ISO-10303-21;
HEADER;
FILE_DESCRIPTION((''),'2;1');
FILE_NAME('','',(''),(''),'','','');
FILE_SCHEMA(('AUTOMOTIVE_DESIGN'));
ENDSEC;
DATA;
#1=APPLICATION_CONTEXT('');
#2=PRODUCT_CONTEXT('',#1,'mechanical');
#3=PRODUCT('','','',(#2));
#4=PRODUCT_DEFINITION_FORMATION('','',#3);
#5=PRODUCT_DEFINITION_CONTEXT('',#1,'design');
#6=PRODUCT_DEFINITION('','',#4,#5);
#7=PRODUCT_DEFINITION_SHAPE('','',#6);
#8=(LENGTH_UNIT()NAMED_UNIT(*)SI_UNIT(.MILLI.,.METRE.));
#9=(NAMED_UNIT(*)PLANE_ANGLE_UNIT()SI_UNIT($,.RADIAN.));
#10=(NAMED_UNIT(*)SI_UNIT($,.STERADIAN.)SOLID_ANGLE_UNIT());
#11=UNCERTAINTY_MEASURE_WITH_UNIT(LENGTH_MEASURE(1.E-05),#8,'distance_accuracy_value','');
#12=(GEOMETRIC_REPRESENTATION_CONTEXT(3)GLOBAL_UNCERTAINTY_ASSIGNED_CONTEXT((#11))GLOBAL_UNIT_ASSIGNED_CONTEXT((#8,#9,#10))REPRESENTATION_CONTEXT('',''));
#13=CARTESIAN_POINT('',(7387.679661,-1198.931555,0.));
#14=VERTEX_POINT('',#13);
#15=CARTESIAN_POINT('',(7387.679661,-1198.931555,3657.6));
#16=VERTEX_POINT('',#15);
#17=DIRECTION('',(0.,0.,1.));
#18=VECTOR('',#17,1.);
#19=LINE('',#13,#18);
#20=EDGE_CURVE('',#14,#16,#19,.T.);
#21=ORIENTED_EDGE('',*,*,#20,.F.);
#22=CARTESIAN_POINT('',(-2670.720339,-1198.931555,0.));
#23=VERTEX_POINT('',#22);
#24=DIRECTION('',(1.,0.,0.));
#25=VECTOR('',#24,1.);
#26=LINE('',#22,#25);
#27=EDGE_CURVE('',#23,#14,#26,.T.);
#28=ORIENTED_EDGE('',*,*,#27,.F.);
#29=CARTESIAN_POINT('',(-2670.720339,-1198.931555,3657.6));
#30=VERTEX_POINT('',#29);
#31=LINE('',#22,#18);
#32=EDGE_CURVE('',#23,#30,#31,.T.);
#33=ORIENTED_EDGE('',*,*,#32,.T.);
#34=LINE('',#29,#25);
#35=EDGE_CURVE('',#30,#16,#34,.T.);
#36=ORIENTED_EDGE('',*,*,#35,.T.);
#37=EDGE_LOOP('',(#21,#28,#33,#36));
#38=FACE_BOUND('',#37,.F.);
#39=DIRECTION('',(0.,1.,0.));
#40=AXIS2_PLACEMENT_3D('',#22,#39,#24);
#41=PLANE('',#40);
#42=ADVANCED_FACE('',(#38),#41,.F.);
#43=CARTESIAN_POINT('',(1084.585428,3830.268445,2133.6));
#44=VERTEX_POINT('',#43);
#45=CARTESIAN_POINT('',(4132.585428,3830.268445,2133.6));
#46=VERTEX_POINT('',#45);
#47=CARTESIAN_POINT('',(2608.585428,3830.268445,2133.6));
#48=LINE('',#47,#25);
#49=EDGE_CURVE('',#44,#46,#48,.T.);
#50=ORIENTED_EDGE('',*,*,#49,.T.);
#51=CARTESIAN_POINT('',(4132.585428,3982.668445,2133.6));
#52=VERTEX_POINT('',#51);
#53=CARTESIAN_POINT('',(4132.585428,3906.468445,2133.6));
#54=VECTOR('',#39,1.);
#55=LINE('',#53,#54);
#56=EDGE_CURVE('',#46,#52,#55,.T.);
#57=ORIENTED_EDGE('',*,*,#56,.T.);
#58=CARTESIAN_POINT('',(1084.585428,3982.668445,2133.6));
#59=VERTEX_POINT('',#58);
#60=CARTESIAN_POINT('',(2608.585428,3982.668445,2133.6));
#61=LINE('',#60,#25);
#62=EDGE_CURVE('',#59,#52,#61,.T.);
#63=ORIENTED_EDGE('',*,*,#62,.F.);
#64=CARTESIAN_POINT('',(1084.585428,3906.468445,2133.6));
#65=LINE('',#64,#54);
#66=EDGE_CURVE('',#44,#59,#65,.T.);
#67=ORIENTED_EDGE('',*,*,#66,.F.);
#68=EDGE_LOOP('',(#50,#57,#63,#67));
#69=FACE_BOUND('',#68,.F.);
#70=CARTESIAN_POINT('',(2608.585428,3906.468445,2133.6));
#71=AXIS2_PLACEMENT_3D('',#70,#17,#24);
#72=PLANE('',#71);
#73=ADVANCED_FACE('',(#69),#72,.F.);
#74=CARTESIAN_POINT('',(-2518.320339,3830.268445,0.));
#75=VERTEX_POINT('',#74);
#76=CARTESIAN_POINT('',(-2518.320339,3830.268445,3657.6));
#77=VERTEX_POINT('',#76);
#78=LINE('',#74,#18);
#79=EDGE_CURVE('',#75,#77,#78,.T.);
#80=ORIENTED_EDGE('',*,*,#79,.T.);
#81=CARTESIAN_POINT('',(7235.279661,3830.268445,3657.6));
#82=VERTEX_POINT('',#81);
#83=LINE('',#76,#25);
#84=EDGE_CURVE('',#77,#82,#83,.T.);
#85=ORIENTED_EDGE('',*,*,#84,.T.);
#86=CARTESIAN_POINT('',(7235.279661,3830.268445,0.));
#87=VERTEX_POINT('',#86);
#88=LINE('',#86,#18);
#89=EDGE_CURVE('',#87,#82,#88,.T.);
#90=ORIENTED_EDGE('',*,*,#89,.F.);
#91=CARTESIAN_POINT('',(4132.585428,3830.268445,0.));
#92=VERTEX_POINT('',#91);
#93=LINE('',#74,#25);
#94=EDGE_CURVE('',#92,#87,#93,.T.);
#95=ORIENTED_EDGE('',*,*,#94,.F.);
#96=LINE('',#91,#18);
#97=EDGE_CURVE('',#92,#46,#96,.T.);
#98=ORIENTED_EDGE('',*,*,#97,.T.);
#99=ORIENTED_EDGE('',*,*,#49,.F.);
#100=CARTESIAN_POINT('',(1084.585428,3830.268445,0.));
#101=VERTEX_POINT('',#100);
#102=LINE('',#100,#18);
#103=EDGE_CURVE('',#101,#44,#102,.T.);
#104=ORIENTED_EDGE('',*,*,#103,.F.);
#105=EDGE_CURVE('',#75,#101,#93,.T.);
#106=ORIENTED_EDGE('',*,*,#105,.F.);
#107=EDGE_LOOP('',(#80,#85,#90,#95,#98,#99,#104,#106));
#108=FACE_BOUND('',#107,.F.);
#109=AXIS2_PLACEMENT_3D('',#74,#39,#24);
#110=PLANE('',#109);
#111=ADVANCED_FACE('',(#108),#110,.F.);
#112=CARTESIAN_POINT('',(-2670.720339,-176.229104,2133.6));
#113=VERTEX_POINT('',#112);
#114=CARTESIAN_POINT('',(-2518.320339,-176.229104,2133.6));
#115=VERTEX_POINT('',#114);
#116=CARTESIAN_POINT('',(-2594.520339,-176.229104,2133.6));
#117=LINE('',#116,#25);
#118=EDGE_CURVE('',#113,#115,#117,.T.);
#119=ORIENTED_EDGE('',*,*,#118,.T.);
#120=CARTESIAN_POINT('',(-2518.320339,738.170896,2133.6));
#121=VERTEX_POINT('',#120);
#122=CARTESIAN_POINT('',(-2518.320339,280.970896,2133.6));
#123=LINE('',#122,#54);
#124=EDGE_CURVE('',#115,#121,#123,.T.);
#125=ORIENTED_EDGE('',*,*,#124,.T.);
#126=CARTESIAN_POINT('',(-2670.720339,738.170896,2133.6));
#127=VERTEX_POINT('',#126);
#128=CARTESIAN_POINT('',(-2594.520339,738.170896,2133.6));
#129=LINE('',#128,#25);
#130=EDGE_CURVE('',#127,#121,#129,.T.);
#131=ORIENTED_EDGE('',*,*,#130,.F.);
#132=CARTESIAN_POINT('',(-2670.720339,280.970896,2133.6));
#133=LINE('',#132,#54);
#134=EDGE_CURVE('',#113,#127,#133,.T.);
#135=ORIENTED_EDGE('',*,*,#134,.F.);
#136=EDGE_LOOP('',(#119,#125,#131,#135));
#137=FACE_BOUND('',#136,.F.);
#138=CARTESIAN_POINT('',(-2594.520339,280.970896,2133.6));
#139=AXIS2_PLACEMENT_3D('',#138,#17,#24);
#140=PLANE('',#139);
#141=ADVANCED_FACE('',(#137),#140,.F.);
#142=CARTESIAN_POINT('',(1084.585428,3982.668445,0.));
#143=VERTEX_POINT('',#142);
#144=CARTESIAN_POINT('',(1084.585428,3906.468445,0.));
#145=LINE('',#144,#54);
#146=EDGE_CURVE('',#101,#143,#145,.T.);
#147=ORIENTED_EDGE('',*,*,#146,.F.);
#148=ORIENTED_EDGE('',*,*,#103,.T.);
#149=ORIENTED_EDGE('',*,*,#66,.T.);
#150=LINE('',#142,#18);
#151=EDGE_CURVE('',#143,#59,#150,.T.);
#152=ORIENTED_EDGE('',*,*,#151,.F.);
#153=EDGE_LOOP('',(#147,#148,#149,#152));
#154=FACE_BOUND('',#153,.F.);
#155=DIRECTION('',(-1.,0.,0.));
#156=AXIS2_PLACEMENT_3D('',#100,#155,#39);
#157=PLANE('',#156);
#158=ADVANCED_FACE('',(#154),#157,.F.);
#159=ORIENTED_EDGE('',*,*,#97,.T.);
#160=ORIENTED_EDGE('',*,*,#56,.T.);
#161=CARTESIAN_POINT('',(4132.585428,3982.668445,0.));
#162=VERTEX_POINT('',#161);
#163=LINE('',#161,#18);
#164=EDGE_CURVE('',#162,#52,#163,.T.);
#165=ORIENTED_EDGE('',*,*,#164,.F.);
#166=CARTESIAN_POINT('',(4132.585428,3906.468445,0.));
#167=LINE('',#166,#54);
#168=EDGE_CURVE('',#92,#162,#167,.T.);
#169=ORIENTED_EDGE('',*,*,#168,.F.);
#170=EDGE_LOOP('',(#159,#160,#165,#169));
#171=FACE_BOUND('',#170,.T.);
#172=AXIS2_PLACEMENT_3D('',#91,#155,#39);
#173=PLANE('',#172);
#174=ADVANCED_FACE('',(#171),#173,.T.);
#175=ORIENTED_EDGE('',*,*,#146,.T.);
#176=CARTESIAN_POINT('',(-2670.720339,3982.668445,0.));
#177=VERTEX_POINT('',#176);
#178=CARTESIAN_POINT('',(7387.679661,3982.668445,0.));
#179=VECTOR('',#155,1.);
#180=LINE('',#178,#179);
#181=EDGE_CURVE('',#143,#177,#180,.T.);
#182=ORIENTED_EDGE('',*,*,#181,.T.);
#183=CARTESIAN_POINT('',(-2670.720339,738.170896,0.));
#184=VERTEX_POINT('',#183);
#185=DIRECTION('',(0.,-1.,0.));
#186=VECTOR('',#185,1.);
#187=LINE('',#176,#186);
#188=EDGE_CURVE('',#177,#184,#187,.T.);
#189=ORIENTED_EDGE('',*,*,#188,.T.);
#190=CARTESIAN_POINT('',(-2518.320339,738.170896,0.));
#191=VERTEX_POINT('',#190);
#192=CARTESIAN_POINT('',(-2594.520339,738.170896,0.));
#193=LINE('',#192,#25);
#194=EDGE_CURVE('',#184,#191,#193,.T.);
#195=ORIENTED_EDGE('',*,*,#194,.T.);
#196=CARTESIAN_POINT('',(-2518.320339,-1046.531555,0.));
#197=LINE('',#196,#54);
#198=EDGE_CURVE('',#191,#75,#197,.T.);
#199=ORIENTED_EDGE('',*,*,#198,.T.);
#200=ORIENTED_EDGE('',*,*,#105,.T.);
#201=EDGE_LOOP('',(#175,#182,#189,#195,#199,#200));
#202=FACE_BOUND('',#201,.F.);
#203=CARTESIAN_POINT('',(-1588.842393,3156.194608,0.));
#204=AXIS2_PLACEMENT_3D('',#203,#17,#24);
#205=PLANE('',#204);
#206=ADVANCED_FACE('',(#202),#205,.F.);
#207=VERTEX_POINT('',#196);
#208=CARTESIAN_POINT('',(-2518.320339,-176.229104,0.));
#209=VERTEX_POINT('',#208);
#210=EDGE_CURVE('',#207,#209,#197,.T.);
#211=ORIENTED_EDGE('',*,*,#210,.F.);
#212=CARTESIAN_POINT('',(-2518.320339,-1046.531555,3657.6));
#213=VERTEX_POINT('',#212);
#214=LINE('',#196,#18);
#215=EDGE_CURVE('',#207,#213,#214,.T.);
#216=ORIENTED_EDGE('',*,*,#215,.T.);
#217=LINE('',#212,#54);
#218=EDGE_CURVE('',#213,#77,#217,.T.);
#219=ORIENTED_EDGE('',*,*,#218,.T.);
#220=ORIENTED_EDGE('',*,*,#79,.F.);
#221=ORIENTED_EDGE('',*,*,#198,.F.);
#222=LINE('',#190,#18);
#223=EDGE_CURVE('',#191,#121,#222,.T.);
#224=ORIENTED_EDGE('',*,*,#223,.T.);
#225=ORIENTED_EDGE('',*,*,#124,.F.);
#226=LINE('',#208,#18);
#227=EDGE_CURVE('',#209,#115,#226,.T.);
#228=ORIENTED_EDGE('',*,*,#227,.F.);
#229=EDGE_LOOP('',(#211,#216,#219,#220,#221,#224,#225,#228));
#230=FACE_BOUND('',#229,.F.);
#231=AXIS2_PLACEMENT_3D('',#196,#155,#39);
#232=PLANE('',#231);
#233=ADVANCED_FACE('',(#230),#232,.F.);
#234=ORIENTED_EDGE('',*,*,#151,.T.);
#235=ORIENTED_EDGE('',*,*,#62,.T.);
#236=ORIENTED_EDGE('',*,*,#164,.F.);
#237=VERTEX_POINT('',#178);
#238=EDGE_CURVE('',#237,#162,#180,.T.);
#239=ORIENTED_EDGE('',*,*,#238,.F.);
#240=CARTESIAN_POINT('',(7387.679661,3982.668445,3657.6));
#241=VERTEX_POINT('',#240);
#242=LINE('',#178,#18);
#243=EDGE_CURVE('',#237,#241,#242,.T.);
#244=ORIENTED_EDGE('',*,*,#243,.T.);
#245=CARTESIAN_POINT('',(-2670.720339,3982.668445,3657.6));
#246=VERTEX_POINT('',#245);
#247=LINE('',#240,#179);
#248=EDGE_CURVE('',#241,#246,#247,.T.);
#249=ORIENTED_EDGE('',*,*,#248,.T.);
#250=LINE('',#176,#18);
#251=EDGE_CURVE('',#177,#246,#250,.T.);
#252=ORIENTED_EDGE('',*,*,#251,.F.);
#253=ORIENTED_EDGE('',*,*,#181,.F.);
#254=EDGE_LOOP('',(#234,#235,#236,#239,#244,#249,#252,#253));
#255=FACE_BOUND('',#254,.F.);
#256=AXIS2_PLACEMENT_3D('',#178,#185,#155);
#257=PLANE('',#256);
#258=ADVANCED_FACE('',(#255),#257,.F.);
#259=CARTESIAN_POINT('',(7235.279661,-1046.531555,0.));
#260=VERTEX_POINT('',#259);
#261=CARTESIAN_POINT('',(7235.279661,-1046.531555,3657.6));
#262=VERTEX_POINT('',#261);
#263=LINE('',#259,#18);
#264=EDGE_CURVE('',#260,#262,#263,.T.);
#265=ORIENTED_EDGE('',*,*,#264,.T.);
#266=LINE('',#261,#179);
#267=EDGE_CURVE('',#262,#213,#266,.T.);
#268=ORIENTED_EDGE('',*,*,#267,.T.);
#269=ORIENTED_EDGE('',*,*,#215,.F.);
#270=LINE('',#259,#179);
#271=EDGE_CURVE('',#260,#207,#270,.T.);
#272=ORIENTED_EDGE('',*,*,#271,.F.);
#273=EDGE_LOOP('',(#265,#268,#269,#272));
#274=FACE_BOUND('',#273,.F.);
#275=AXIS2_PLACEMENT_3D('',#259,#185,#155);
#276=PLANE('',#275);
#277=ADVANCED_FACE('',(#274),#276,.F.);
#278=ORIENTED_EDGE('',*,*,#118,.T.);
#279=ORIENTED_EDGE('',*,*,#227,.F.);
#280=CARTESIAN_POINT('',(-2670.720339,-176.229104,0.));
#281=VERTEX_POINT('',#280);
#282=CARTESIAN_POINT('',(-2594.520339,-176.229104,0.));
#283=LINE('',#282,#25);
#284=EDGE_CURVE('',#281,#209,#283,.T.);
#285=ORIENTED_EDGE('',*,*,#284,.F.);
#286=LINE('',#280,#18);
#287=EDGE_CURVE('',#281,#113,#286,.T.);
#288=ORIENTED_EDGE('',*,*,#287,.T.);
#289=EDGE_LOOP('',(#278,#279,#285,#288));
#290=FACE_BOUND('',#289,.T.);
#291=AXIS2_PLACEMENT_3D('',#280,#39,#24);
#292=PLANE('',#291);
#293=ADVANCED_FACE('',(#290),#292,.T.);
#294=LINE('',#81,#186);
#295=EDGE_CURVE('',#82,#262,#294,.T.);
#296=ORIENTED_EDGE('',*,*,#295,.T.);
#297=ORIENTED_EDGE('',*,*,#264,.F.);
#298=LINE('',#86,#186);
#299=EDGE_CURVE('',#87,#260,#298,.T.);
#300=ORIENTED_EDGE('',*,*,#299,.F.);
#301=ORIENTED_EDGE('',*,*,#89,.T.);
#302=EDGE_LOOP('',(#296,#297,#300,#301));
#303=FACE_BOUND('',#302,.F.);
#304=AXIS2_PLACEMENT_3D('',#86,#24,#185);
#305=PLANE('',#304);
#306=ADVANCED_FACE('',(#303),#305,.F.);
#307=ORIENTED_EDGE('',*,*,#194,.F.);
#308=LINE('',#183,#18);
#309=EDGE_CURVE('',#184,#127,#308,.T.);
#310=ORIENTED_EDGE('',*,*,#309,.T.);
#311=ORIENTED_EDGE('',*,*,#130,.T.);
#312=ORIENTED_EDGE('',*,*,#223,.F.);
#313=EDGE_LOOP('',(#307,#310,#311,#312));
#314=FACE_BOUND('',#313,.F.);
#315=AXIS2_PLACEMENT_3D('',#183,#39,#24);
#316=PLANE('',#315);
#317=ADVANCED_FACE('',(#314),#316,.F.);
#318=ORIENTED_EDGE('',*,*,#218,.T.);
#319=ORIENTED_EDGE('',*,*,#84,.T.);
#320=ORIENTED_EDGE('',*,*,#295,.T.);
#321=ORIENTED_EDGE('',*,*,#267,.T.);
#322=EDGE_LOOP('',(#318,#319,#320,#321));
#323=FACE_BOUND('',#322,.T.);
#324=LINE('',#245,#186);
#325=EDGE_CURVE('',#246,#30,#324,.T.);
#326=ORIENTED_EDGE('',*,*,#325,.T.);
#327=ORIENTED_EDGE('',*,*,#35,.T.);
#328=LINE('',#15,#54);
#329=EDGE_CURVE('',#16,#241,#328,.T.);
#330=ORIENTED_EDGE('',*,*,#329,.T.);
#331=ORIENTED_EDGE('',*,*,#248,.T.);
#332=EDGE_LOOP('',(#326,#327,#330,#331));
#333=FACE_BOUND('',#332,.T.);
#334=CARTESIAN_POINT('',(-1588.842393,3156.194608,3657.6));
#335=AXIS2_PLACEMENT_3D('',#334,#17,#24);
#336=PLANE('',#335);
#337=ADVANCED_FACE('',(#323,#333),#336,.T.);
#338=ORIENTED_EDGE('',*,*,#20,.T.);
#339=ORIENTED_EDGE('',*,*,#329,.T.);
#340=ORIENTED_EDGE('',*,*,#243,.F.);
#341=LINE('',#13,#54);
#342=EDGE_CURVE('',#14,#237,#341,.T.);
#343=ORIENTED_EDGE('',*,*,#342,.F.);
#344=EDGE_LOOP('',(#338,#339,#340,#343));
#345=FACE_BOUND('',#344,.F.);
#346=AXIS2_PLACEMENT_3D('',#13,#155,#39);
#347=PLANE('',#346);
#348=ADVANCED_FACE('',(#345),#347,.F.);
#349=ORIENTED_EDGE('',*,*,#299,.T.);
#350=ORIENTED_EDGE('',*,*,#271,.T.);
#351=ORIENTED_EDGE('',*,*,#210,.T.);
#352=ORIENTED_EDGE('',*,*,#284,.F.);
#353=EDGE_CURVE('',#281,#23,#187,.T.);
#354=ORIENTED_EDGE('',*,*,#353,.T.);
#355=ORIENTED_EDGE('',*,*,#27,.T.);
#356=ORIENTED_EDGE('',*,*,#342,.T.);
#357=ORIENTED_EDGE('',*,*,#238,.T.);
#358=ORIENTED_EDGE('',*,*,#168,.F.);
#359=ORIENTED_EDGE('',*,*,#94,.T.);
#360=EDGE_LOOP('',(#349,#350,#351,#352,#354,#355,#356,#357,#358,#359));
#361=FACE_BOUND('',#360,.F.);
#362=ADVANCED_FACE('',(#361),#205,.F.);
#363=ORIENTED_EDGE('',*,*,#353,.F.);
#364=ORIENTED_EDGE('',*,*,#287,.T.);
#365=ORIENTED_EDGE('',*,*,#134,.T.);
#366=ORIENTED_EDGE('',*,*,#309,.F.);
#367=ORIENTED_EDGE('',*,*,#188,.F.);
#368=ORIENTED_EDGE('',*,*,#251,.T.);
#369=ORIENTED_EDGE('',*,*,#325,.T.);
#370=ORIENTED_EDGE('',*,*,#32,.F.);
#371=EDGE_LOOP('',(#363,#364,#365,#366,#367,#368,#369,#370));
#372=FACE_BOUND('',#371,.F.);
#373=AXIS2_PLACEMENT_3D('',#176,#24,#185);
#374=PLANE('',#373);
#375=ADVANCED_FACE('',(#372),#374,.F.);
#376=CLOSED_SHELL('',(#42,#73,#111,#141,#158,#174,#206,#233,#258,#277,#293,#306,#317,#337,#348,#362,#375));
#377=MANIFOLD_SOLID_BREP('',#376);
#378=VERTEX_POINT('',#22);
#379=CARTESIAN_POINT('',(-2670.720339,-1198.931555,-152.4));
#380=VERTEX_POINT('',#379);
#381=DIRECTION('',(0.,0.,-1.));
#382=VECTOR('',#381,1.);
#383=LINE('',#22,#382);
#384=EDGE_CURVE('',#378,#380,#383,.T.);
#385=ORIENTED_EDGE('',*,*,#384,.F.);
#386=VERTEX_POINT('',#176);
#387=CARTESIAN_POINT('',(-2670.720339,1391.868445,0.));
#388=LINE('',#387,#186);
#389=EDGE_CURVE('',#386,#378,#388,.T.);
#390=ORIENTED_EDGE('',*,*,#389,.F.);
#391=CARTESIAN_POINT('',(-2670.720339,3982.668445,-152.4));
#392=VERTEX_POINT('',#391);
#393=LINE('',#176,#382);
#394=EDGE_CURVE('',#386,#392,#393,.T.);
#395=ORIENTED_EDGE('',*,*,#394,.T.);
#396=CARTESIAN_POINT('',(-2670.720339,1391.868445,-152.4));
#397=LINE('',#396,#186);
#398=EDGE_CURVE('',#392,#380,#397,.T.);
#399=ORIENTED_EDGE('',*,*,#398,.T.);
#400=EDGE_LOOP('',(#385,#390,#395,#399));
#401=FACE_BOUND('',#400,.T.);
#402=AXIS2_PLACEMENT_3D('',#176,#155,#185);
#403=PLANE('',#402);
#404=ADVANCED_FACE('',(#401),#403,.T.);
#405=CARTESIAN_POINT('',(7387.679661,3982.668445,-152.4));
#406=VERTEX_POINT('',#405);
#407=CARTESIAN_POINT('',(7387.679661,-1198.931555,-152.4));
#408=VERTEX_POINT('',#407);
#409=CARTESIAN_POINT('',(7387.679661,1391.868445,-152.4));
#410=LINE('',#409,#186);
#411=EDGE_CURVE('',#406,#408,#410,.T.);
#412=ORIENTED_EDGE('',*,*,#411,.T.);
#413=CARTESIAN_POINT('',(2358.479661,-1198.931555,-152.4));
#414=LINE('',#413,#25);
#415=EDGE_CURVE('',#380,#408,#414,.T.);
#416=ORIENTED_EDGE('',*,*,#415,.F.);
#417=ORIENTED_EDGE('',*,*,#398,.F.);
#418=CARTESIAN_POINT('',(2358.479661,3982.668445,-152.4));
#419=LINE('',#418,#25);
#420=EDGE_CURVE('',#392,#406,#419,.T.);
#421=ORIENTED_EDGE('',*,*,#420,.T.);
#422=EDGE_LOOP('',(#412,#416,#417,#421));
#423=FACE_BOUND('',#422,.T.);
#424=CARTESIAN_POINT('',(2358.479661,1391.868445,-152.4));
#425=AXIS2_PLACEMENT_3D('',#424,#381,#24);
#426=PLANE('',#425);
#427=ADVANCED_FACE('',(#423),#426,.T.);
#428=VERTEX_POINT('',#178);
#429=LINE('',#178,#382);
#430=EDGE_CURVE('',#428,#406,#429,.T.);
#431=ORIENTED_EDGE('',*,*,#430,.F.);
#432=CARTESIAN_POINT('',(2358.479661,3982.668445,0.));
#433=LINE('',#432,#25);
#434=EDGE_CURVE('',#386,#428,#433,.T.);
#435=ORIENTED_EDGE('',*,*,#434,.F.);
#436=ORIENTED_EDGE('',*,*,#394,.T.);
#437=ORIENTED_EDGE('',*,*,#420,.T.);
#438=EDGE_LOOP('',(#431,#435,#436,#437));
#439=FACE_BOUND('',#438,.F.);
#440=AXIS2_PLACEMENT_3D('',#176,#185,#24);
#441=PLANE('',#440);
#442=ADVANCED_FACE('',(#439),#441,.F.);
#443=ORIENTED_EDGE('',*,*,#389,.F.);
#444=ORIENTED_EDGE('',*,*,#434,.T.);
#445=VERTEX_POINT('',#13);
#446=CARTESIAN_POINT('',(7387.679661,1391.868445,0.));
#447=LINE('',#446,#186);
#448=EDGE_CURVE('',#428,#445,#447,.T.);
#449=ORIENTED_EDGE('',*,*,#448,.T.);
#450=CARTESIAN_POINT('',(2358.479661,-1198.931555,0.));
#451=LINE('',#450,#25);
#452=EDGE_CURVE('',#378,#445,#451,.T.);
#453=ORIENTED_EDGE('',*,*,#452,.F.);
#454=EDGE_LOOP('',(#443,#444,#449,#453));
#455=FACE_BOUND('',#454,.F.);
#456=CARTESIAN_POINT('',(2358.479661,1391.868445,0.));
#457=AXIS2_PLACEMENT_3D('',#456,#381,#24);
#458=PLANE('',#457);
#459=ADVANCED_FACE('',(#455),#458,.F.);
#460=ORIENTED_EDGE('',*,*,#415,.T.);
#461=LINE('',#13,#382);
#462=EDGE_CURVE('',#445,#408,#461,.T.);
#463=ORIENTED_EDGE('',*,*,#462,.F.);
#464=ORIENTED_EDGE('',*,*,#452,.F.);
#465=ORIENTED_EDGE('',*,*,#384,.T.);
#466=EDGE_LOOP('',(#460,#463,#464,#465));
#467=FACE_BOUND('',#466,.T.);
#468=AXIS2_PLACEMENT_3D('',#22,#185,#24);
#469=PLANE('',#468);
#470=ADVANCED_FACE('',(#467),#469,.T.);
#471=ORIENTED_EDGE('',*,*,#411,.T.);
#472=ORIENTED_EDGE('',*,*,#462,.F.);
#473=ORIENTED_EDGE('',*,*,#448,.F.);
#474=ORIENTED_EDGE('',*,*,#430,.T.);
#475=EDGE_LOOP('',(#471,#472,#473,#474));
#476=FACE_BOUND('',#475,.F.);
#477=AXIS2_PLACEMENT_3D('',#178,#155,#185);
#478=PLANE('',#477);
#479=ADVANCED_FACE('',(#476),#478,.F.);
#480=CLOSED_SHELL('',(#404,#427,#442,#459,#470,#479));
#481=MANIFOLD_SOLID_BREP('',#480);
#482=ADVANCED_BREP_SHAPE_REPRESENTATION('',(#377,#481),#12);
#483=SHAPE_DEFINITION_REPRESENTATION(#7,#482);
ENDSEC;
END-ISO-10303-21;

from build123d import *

# Parameters (mm, degrees)
F0_W     = 3048
F0_H     = 152.4
F0_W_2   = 152.4
F0_H_2   = 914.4
F1_DEPTH = 3657.6
F2_DEPTH = 2133.6
F3_W     = 10058.4
F3_H     = 5181.6
F4_DEPTH = 152.4


with BuildPart() as f1:
    # F0 (on Top) → F1 (new body)
    with BuildSketch(Plane.XY):
        Polygon((-2518.320339, 738.170896), (-2518.320339, 3830.268445), (1084.585428, 3830.268445), (1084.585428, 3982.668445), (-2670.720339, 3982.668445), (-2670.720339, 738.170896), align=None)
        with Locations((2608.585428, 3906.468445)):
            Rectangle(F0_W, F0_H)
        with Locations((-2594.520339, 280.970896)):
            Rectangle(F0_W_2, F0_H_2)
        Polygon((4132.585428, 3982.668445), (4132.585428, 3830.268445), (7235.279661, 3830.268445), (7235.279661, -1046.531555), (-2518.320339, -1046.531555), (-2518.320339, -176.229104), (-2670.720339, -176.229104), (-2670.720339, -1198.931555), (7387.679661, -1198.931555), (7387.679661, 3982.668445), align=None)
    extrude(amount=F1_DEPTH)

    # F0 (on Top) → F2 (cut)
    with BuildSketch(Plane.XY):
        with Locations((2608.585428, 3906.468445)):
            Rectangle(F0_W, F0_H)
        with Locations((-2594.520339, 280.970896)):
            Rectangle(F0_W_2, F0_H_2)
    extrude(amount=F2_DEPTH, mode=Mode.SUBTRACT)


with BuildPart() as f4:
    # F3 (on face) → F4 (new body)
    with BuildSketch(Plane(origin=(0, 0, 0), x_dir=(1, 0, 0), z_dir=(0, 0, -1))):
        with Locations((2358.479661, -1391.868445)):
            Rectangle(F3_W, F3_H)
    extrude(amount=F4_DEPTH)


solid = Compound([f1.part, f4.part])
